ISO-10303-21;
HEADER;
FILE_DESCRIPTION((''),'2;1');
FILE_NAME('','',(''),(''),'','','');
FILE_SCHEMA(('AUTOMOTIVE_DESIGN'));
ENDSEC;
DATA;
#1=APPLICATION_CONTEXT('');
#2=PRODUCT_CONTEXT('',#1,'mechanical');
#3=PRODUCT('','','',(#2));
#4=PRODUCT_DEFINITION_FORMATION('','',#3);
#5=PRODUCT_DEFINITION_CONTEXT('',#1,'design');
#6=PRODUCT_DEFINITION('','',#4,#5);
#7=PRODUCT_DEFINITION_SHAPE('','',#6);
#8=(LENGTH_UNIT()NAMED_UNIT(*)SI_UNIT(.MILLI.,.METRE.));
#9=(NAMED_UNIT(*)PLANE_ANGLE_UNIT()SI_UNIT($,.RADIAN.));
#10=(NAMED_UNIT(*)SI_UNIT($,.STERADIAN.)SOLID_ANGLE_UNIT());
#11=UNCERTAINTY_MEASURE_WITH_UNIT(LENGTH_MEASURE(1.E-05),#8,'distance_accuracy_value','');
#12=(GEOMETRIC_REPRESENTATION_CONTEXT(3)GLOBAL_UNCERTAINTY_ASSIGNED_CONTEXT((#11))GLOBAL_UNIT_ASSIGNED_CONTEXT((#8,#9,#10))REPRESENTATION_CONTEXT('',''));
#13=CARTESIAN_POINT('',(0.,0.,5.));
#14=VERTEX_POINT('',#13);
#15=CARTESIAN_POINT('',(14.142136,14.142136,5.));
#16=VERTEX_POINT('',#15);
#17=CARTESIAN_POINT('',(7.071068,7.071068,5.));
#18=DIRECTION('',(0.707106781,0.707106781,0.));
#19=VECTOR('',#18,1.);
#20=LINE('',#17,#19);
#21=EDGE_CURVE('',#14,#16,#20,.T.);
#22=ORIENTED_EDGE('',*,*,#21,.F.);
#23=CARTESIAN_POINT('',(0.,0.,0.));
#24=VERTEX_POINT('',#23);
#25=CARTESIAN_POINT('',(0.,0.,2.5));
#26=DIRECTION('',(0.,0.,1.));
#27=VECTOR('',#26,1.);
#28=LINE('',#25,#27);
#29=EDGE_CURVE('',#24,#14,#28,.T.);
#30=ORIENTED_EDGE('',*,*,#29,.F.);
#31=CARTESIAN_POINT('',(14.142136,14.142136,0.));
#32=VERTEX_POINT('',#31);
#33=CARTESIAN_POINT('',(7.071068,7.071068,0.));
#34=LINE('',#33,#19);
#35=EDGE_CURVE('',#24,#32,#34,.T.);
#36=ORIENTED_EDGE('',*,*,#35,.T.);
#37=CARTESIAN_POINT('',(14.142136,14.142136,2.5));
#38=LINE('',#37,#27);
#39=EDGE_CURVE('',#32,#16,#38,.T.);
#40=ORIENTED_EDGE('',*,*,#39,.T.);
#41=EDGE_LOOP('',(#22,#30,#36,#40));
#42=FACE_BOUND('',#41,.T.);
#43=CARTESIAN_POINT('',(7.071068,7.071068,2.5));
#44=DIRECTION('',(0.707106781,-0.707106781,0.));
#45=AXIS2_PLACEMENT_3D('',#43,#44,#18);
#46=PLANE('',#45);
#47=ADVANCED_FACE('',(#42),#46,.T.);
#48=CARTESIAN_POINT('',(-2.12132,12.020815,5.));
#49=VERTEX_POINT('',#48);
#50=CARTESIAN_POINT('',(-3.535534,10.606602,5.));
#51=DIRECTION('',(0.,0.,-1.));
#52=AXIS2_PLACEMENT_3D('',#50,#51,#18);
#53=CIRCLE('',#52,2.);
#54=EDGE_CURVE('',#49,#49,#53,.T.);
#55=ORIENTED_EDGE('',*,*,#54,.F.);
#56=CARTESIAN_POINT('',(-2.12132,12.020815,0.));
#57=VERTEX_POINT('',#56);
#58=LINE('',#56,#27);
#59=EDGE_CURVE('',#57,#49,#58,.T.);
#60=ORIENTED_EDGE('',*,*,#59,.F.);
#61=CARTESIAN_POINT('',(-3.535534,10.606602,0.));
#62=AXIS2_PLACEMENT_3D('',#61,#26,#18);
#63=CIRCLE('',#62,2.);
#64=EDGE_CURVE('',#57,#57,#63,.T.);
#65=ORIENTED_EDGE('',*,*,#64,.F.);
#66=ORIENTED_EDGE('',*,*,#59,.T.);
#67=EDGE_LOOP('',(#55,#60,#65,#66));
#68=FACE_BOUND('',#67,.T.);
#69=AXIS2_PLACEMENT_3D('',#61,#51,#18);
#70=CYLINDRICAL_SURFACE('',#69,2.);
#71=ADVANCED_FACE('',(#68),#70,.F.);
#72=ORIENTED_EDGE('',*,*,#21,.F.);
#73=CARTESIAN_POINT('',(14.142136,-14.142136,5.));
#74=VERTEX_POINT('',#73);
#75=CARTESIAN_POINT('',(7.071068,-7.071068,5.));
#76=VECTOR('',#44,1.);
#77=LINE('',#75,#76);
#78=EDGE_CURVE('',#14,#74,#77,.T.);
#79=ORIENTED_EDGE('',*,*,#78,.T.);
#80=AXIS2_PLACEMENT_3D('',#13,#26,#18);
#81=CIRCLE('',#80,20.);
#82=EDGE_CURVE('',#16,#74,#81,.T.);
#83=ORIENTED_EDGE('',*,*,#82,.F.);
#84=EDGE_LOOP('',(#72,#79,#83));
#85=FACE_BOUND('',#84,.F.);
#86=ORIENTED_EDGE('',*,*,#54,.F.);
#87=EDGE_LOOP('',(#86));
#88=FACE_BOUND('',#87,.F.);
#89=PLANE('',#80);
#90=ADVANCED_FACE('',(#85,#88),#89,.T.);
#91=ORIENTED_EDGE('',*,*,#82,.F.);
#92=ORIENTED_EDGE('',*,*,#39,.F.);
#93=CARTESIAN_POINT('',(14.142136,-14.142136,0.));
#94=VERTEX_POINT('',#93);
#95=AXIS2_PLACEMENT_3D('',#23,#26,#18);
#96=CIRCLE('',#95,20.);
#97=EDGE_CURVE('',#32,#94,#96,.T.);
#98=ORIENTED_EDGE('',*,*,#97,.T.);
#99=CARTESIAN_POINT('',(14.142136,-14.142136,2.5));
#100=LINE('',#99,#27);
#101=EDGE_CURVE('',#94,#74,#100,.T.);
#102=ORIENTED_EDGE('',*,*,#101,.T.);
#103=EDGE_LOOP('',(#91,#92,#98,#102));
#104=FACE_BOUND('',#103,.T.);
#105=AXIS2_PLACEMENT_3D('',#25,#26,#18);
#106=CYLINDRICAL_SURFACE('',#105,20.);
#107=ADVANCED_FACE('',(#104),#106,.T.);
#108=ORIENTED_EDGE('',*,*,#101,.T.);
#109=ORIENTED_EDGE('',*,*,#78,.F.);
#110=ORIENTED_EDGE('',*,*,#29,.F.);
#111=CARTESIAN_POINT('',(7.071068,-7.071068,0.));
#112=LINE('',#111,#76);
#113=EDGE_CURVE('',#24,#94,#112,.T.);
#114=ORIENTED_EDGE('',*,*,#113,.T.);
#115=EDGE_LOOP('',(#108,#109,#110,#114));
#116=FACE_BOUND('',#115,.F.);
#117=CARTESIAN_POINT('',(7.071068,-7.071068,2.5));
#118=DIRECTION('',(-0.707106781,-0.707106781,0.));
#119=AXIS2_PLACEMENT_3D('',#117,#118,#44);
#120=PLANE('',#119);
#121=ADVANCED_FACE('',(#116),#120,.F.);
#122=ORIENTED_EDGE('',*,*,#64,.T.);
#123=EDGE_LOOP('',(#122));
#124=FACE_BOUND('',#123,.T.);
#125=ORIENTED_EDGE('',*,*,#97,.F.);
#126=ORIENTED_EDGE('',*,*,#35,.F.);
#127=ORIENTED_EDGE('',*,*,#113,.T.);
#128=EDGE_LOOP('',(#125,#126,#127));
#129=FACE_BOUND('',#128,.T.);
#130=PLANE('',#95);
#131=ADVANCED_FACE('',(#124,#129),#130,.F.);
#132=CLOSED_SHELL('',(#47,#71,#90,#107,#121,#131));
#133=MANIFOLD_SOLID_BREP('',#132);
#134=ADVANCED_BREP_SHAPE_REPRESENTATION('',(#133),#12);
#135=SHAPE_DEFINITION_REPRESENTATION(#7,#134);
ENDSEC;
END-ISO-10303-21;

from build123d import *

# Parameters (mm, degrees)
CYLINDER001_R       = 2
CYLINDER001_DEPTH   = 10
CYLINDER_W          = 20
CYLINDER_H          = 5
CYLINDER_ANGLE      = 270
CUT_PLACEMENT_ANGLE = 45


with BuildPart() as cilindro001:
    # Cylinder001 → Cylinder001 (new body)
    with BuildSketch(Plane(origin=(5, 10, 0), x_dir=(1, 0, 0), z_dir=(0, 0, 1))):
        Circle(CYLINDER001_R)
    extrude(amount=CYLINDER001_DEPTH)


with BuildPart() as cut:
    # Cylinder → Cylinder (revolve)
    with BuildSketch(Plane.XZ):
        with Locations((10, 2.5)):
            Rectangle(CYLINDER_W, CYLINDER_H)
    revolve(axis=Axis((0, 0, 0), (0, 0, 1)), revolution_arc=CYLINDER_ANGLE)

    # Cut: cut Cilindro001
    add(cilindro001.part, mode=Mode.SUBTRACT)


with BuildPart() as cut_1:
    # Cut placement: moved
    add(cut.part.rotate(Axis((0, 0, 0), (0, 0, 1)), CUT_PLACEMENT_ANGLE))


solid = cut_1.part
